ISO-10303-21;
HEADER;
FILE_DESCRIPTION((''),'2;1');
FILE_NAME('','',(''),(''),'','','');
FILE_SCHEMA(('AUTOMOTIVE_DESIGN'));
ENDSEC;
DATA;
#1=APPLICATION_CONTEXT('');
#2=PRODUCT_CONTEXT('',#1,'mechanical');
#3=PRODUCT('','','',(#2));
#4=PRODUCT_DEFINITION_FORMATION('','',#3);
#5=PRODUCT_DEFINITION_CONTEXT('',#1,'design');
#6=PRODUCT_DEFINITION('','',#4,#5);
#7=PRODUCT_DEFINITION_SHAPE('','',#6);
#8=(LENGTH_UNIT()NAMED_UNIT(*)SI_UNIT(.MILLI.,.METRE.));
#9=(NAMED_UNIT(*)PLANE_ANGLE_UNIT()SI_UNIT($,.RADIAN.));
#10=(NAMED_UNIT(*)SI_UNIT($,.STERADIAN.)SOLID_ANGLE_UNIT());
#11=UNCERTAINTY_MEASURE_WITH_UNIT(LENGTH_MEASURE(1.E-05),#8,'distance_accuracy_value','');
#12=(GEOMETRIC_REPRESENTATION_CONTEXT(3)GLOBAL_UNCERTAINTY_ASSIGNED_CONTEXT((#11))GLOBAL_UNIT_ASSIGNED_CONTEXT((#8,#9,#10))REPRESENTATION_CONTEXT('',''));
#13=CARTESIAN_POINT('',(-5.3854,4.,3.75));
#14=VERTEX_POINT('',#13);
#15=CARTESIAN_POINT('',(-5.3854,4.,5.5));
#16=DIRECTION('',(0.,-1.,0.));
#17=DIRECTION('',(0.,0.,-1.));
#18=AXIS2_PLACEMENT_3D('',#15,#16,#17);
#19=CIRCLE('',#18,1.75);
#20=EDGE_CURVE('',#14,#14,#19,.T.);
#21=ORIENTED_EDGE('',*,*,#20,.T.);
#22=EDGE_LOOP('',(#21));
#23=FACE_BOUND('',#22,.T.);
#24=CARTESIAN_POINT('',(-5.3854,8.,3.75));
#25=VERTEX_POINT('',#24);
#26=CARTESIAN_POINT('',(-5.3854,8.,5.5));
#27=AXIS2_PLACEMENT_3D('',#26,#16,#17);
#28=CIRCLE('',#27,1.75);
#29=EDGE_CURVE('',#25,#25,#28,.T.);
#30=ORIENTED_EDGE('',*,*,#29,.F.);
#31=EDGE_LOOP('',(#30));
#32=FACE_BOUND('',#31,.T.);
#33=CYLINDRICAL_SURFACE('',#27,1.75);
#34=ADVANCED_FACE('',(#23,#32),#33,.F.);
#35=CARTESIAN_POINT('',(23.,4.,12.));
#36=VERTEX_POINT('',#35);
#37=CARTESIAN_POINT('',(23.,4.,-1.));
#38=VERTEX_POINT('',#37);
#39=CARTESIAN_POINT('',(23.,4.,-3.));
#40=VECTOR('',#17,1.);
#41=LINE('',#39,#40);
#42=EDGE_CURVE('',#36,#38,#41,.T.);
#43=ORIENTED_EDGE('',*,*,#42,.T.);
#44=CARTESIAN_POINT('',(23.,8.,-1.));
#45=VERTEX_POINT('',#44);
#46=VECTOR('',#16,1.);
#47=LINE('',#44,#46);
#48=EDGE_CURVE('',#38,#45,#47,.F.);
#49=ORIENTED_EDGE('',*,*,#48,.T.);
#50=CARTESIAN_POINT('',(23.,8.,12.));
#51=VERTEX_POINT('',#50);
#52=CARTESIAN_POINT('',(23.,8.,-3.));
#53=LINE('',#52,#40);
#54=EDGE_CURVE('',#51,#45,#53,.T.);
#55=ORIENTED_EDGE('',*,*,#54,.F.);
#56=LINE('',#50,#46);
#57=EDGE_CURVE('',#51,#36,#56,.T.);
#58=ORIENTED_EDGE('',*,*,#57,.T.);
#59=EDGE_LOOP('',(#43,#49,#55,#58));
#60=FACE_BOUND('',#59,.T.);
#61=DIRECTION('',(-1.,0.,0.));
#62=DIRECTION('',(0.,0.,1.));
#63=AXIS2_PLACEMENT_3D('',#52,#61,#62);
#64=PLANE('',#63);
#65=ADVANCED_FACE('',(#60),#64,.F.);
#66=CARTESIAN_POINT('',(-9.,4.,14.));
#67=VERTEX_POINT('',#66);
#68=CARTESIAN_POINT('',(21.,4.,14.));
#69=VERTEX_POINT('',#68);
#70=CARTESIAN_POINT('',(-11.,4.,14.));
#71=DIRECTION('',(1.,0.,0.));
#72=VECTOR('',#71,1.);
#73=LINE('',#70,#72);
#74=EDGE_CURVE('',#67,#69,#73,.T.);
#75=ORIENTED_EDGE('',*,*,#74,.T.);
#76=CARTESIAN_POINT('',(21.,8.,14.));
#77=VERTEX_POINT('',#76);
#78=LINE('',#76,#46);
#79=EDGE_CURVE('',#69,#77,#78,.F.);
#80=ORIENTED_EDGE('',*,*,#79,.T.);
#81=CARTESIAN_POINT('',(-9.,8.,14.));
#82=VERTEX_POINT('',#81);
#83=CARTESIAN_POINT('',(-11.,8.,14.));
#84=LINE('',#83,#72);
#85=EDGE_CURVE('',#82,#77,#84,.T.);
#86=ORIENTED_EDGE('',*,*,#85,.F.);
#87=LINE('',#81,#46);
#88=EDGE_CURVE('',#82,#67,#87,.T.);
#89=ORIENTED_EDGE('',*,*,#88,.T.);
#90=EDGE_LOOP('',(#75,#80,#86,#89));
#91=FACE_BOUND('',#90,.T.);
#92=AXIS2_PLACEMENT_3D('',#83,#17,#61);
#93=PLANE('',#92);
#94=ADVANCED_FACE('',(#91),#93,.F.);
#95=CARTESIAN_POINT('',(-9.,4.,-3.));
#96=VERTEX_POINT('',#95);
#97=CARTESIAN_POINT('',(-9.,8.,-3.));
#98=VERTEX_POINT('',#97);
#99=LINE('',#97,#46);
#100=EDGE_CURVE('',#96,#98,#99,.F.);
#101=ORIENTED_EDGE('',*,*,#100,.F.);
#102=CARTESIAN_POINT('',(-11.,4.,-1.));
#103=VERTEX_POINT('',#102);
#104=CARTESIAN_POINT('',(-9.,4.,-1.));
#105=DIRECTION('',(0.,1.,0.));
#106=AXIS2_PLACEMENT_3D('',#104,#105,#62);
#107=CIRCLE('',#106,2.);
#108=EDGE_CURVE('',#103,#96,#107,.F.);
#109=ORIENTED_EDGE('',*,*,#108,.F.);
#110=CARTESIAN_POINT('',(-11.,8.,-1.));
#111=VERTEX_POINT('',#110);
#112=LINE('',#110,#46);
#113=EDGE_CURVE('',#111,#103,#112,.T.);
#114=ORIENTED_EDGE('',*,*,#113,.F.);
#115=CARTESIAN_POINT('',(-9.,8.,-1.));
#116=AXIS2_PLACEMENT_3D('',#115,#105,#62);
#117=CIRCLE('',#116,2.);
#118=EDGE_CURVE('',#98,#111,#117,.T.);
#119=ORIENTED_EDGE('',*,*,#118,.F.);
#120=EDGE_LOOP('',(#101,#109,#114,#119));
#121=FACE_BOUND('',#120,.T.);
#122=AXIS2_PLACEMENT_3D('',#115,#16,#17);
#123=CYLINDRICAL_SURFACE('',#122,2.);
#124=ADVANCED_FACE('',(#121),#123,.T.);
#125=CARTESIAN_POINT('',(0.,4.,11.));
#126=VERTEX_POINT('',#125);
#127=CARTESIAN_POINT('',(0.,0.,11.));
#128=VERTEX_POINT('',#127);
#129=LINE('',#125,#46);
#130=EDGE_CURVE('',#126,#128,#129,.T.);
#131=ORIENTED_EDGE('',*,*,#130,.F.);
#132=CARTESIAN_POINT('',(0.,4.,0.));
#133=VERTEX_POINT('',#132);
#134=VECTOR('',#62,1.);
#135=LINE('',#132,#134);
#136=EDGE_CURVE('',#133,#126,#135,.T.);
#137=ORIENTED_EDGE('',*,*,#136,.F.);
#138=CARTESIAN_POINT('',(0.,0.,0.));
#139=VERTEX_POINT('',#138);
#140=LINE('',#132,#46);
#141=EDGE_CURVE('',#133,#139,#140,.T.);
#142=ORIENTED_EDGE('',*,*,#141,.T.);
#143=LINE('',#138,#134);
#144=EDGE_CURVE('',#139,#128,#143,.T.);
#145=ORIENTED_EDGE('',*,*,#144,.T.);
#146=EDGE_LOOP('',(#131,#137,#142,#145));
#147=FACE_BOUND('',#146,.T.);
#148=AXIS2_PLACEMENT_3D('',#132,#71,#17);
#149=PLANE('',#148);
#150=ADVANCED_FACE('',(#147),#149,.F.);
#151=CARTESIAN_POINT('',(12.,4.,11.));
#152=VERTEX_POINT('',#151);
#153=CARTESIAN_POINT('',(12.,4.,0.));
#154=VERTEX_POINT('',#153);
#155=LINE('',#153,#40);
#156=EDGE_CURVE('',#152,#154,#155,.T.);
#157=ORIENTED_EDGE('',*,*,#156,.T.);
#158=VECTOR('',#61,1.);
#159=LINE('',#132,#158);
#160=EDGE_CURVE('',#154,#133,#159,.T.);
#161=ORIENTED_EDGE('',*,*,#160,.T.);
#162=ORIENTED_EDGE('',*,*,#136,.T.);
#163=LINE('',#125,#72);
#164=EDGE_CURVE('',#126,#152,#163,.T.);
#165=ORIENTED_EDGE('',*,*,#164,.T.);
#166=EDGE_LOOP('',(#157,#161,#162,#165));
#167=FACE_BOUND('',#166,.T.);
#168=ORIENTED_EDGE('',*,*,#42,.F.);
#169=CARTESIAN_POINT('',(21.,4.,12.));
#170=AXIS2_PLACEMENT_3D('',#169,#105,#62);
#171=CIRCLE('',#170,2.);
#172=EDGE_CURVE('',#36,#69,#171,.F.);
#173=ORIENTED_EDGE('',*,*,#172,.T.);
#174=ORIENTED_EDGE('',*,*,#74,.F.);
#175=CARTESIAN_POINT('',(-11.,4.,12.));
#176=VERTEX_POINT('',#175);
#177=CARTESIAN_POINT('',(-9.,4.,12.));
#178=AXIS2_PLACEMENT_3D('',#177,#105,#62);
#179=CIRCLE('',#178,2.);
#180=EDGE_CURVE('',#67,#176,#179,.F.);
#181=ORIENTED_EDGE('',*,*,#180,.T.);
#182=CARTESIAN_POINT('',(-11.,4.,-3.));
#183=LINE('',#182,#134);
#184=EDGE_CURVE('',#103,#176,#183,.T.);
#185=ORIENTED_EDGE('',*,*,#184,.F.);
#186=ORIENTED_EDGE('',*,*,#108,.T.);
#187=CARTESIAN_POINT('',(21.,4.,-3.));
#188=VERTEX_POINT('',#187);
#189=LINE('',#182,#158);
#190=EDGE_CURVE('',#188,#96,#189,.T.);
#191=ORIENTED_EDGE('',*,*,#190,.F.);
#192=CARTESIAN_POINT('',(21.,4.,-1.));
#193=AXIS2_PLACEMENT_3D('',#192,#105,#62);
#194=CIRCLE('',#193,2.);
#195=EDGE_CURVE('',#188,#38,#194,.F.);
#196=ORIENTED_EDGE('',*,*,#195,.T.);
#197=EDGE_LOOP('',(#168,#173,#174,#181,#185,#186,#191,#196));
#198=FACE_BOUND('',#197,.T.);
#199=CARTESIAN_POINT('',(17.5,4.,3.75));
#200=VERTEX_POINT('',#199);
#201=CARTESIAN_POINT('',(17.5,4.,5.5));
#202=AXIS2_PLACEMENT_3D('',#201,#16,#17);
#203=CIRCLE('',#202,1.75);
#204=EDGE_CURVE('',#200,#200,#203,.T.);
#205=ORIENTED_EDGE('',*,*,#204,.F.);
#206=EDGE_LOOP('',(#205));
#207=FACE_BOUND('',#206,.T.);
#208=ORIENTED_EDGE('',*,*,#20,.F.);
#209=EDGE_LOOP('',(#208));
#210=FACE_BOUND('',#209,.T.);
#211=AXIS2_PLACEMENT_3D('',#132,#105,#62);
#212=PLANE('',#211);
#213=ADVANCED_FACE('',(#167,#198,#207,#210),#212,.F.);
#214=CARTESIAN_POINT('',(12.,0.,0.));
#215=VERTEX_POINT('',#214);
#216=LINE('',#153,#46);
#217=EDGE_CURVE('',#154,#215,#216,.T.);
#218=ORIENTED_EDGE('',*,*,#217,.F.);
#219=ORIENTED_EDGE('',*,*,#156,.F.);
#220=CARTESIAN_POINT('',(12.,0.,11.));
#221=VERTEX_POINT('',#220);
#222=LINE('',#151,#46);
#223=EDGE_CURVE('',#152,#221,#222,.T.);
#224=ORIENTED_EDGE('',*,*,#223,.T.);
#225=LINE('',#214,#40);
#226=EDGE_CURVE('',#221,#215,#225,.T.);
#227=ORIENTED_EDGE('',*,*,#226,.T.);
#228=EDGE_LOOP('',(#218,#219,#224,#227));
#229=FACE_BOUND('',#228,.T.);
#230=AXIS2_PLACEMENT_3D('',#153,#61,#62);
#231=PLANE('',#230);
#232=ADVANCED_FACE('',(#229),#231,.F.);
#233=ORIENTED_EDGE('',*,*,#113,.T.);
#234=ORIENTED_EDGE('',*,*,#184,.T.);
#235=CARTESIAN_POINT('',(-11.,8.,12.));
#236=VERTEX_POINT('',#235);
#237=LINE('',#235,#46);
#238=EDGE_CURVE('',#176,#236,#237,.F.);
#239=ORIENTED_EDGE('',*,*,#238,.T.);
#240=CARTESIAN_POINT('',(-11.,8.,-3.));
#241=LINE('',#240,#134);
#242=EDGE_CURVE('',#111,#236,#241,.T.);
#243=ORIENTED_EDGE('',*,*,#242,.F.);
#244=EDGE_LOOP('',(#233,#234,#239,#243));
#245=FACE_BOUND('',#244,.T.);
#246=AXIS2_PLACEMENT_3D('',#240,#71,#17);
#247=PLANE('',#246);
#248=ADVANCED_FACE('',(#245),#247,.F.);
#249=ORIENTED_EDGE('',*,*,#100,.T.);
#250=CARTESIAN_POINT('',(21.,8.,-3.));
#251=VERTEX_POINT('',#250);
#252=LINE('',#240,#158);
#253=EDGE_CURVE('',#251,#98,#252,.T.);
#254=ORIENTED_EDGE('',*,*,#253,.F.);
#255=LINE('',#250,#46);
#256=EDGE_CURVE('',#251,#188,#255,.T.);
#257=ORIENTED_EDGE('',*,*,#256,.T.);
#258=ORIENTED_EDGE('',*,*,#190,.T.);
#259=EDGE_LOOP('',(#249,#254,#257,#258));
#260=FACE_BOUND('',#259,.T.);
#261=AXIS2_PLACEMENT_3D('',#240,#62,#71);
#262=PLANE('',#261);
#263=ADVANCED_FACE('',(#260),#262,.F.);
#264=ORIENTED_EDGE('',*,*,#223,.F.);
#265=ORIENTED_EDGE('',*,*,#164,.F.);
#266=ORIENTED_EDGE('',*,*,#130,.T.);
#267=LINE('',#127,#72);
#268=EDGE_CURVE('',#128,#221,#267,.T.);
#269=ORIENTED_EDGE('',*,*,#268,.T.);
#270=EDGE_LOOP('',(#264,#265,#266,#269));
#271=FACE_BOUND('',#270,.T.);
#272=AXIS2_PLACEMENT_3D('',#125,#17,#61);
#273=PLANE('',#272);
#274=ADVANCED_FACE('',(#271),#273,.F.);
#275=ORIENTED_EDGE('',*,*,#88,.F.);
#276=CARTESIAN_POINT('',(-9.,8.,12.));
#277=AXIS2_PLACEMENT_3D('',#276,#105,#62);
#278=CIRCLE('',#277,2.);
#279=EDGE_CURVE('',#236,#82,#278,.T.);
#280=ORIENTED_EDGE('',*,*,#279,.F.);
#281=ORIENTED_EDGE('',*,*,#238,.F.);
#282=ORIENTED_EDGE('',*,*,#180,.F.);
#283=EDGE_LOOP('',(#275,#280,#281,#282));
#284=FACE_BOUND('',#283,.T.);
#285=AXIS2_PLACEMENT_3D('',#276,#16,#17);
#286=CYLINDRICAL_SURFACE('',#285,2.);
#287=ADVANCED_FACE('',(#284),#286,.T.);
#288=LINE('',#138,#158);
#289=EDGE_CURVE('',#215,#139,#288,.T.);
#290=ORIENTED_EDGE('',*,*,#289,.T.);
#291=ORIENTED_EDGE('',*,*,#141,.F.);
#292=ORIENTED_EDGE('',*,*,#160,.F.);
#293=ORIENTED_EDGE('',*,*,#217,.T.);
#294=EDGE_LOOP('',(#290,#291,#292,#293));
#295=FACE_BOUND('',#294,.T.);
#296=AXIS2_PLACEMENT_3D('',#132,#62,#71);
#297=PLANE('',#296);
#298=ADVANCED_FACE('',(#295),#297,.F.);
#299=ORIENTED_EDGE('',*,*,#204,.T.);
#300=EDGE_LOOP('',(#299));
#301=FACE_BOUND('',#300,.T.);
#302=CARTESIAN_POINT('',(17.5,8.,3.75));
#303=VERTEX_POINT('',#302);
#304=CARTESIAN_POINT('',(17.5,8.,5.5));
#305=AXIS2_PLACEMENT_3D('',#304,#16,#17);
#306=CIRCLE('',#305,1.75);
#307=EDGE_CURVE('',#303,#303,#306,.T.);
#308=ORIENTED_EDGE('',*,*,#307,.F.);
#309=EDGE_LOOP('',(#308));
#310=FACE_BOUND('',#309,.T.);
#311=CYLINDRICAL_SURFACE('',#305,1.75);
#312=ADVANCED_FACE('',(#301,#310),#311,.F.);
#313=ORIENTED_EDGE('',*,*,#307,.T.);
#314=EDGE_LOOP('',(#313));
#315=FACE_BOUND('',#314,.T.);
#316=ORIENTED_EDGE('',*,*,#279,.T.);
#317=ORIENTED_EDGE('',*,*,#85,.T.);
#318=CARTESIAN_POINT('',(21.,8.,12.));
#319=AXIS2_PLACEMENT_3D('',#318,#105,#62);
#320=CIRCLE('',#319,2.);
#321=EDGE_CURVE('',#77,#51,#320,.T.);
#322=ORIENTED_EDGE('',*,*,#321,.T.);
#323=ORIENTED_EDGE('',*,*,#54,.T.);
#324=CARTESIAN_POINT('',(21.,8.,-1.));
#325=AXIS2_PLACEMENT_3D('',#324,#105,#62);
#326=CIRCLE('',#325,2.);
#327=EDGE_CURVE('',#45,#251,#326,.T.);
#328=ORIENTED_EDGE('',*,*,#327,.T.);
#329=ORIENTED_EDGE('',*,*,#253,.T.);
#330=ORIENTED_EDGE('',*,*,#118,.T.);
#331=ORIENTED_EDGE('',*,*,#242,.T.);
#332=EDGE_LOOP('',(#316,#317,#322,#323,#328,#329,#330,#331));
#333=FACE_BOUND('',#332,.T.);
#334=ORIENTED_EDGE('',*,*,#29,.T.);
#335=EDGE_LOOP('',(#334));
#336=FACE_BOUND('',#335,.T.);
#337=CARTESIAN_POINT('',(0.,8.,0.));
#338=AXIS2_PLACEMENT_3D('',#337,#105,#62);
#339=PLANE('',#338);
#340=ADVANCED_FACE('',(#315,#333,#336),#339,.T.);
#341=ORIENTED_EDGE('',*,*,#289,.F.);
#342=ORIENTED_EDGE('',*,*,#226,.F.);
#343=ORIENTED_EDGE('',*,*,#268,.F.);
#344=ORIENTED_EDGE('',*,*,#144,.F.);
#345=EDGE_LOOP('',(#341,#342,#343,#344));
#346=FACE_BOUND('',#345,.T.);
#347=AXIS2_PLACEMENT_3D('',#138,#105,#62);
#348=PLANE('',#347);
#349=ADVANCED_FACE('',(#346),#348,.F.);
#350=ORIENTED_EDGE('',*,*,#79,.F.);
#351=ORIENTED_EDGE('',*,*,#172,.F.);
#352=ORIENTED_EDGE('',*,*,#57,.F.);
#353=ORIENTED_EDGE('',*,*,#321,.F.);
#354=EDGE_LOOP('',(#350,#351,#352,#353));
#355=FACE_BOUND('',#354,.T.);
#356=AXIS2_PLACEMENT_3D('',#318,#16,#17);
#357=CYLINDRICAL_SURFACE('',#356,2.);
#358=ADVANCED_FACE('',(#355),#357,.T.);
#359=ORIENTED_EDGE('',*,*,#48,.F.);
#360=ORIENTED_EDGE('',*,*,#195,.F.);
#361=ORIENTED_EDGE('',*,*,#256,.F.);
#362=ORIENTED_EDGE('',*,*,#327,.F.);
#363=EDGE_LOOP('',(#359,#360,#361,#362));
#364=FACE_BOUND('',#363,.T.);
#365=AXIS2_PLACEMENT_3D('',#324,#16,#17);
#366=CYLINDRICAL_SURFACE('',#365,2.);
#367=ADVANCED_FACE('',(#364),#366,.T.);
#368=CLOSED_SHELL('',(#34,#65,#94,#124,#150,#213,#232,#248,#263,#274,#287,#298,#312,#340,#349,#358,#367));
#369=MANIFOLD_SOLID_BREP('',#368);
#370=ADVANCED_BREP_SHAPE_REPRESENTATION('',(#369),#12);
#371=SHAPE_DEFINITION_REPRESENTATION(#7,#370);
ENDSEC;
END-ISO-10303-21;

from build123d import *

# Parameters (mm, degrees)
SKETCH1_W           = 12
SKETCH1_H           = 11
BOSS_EXTRUDE1_DEPTH = 4
SKETCH2_W           = 34
SKETCH2_H           = 17
BOSS_EXTRUDE2_DEPTH = 4
SKETCH3_R           = 1.75
CUT_EXTRUDE1_DEPTH  = 5
FILLET1_R           = 2


with BuildPart() as part:
    # Sketch1 → Boss-Extrude1 (new body)
    with BuildSketch(Plane(origin=(0, 0, 0), x_dir=(1, 0, 0), z_dir=(0, 1, 0))):
        with Locations((6, -5.5)):
            Rectangle(SKETCH1_W, SKETCH1_H)
    extrude(amount=BOSS_EXTRUDE1_DEPTH)

    # Sketch2 → Boss-Extrude2 (add)
    with BuildSketch(Plane(origin=(0, 4, 0), x_dir=(1, 0, 0), z_dir=(0, 1, 0))):
        with Locations((6, -5.5)):
            Rectangle(SKETCH2_W, SKETCH2_H)
    extrude(amount=BOSS_EXTRUDE2_DEPTH)

    # Sketch3 → Cut-Extrude1 (cut, through all)
    with BuildSketch(Plane.XZ.offset(-4)):
        with Locations((-5.385399537, 5.5)):
            Circle(SKETCH3_R)
        with Locations((17.5, 5.5)):
            Circle(SKETCH3_R)
    extrude(amount=-CUT_EXTRUDE1_DEPTH, mode=Mode.SUBTRACT)

    # Fillet1
    fillet1_edges = [part.edges().sort_by_distance(p)[0] for p in [
        (23, 6, 14),
        (23, 6, -3),
        (-11, 6, -3),
        (-11, 6, 14),
    ]]
    fillet(fillet1_edges, radius=FILLET1_R)


solid = part.part
